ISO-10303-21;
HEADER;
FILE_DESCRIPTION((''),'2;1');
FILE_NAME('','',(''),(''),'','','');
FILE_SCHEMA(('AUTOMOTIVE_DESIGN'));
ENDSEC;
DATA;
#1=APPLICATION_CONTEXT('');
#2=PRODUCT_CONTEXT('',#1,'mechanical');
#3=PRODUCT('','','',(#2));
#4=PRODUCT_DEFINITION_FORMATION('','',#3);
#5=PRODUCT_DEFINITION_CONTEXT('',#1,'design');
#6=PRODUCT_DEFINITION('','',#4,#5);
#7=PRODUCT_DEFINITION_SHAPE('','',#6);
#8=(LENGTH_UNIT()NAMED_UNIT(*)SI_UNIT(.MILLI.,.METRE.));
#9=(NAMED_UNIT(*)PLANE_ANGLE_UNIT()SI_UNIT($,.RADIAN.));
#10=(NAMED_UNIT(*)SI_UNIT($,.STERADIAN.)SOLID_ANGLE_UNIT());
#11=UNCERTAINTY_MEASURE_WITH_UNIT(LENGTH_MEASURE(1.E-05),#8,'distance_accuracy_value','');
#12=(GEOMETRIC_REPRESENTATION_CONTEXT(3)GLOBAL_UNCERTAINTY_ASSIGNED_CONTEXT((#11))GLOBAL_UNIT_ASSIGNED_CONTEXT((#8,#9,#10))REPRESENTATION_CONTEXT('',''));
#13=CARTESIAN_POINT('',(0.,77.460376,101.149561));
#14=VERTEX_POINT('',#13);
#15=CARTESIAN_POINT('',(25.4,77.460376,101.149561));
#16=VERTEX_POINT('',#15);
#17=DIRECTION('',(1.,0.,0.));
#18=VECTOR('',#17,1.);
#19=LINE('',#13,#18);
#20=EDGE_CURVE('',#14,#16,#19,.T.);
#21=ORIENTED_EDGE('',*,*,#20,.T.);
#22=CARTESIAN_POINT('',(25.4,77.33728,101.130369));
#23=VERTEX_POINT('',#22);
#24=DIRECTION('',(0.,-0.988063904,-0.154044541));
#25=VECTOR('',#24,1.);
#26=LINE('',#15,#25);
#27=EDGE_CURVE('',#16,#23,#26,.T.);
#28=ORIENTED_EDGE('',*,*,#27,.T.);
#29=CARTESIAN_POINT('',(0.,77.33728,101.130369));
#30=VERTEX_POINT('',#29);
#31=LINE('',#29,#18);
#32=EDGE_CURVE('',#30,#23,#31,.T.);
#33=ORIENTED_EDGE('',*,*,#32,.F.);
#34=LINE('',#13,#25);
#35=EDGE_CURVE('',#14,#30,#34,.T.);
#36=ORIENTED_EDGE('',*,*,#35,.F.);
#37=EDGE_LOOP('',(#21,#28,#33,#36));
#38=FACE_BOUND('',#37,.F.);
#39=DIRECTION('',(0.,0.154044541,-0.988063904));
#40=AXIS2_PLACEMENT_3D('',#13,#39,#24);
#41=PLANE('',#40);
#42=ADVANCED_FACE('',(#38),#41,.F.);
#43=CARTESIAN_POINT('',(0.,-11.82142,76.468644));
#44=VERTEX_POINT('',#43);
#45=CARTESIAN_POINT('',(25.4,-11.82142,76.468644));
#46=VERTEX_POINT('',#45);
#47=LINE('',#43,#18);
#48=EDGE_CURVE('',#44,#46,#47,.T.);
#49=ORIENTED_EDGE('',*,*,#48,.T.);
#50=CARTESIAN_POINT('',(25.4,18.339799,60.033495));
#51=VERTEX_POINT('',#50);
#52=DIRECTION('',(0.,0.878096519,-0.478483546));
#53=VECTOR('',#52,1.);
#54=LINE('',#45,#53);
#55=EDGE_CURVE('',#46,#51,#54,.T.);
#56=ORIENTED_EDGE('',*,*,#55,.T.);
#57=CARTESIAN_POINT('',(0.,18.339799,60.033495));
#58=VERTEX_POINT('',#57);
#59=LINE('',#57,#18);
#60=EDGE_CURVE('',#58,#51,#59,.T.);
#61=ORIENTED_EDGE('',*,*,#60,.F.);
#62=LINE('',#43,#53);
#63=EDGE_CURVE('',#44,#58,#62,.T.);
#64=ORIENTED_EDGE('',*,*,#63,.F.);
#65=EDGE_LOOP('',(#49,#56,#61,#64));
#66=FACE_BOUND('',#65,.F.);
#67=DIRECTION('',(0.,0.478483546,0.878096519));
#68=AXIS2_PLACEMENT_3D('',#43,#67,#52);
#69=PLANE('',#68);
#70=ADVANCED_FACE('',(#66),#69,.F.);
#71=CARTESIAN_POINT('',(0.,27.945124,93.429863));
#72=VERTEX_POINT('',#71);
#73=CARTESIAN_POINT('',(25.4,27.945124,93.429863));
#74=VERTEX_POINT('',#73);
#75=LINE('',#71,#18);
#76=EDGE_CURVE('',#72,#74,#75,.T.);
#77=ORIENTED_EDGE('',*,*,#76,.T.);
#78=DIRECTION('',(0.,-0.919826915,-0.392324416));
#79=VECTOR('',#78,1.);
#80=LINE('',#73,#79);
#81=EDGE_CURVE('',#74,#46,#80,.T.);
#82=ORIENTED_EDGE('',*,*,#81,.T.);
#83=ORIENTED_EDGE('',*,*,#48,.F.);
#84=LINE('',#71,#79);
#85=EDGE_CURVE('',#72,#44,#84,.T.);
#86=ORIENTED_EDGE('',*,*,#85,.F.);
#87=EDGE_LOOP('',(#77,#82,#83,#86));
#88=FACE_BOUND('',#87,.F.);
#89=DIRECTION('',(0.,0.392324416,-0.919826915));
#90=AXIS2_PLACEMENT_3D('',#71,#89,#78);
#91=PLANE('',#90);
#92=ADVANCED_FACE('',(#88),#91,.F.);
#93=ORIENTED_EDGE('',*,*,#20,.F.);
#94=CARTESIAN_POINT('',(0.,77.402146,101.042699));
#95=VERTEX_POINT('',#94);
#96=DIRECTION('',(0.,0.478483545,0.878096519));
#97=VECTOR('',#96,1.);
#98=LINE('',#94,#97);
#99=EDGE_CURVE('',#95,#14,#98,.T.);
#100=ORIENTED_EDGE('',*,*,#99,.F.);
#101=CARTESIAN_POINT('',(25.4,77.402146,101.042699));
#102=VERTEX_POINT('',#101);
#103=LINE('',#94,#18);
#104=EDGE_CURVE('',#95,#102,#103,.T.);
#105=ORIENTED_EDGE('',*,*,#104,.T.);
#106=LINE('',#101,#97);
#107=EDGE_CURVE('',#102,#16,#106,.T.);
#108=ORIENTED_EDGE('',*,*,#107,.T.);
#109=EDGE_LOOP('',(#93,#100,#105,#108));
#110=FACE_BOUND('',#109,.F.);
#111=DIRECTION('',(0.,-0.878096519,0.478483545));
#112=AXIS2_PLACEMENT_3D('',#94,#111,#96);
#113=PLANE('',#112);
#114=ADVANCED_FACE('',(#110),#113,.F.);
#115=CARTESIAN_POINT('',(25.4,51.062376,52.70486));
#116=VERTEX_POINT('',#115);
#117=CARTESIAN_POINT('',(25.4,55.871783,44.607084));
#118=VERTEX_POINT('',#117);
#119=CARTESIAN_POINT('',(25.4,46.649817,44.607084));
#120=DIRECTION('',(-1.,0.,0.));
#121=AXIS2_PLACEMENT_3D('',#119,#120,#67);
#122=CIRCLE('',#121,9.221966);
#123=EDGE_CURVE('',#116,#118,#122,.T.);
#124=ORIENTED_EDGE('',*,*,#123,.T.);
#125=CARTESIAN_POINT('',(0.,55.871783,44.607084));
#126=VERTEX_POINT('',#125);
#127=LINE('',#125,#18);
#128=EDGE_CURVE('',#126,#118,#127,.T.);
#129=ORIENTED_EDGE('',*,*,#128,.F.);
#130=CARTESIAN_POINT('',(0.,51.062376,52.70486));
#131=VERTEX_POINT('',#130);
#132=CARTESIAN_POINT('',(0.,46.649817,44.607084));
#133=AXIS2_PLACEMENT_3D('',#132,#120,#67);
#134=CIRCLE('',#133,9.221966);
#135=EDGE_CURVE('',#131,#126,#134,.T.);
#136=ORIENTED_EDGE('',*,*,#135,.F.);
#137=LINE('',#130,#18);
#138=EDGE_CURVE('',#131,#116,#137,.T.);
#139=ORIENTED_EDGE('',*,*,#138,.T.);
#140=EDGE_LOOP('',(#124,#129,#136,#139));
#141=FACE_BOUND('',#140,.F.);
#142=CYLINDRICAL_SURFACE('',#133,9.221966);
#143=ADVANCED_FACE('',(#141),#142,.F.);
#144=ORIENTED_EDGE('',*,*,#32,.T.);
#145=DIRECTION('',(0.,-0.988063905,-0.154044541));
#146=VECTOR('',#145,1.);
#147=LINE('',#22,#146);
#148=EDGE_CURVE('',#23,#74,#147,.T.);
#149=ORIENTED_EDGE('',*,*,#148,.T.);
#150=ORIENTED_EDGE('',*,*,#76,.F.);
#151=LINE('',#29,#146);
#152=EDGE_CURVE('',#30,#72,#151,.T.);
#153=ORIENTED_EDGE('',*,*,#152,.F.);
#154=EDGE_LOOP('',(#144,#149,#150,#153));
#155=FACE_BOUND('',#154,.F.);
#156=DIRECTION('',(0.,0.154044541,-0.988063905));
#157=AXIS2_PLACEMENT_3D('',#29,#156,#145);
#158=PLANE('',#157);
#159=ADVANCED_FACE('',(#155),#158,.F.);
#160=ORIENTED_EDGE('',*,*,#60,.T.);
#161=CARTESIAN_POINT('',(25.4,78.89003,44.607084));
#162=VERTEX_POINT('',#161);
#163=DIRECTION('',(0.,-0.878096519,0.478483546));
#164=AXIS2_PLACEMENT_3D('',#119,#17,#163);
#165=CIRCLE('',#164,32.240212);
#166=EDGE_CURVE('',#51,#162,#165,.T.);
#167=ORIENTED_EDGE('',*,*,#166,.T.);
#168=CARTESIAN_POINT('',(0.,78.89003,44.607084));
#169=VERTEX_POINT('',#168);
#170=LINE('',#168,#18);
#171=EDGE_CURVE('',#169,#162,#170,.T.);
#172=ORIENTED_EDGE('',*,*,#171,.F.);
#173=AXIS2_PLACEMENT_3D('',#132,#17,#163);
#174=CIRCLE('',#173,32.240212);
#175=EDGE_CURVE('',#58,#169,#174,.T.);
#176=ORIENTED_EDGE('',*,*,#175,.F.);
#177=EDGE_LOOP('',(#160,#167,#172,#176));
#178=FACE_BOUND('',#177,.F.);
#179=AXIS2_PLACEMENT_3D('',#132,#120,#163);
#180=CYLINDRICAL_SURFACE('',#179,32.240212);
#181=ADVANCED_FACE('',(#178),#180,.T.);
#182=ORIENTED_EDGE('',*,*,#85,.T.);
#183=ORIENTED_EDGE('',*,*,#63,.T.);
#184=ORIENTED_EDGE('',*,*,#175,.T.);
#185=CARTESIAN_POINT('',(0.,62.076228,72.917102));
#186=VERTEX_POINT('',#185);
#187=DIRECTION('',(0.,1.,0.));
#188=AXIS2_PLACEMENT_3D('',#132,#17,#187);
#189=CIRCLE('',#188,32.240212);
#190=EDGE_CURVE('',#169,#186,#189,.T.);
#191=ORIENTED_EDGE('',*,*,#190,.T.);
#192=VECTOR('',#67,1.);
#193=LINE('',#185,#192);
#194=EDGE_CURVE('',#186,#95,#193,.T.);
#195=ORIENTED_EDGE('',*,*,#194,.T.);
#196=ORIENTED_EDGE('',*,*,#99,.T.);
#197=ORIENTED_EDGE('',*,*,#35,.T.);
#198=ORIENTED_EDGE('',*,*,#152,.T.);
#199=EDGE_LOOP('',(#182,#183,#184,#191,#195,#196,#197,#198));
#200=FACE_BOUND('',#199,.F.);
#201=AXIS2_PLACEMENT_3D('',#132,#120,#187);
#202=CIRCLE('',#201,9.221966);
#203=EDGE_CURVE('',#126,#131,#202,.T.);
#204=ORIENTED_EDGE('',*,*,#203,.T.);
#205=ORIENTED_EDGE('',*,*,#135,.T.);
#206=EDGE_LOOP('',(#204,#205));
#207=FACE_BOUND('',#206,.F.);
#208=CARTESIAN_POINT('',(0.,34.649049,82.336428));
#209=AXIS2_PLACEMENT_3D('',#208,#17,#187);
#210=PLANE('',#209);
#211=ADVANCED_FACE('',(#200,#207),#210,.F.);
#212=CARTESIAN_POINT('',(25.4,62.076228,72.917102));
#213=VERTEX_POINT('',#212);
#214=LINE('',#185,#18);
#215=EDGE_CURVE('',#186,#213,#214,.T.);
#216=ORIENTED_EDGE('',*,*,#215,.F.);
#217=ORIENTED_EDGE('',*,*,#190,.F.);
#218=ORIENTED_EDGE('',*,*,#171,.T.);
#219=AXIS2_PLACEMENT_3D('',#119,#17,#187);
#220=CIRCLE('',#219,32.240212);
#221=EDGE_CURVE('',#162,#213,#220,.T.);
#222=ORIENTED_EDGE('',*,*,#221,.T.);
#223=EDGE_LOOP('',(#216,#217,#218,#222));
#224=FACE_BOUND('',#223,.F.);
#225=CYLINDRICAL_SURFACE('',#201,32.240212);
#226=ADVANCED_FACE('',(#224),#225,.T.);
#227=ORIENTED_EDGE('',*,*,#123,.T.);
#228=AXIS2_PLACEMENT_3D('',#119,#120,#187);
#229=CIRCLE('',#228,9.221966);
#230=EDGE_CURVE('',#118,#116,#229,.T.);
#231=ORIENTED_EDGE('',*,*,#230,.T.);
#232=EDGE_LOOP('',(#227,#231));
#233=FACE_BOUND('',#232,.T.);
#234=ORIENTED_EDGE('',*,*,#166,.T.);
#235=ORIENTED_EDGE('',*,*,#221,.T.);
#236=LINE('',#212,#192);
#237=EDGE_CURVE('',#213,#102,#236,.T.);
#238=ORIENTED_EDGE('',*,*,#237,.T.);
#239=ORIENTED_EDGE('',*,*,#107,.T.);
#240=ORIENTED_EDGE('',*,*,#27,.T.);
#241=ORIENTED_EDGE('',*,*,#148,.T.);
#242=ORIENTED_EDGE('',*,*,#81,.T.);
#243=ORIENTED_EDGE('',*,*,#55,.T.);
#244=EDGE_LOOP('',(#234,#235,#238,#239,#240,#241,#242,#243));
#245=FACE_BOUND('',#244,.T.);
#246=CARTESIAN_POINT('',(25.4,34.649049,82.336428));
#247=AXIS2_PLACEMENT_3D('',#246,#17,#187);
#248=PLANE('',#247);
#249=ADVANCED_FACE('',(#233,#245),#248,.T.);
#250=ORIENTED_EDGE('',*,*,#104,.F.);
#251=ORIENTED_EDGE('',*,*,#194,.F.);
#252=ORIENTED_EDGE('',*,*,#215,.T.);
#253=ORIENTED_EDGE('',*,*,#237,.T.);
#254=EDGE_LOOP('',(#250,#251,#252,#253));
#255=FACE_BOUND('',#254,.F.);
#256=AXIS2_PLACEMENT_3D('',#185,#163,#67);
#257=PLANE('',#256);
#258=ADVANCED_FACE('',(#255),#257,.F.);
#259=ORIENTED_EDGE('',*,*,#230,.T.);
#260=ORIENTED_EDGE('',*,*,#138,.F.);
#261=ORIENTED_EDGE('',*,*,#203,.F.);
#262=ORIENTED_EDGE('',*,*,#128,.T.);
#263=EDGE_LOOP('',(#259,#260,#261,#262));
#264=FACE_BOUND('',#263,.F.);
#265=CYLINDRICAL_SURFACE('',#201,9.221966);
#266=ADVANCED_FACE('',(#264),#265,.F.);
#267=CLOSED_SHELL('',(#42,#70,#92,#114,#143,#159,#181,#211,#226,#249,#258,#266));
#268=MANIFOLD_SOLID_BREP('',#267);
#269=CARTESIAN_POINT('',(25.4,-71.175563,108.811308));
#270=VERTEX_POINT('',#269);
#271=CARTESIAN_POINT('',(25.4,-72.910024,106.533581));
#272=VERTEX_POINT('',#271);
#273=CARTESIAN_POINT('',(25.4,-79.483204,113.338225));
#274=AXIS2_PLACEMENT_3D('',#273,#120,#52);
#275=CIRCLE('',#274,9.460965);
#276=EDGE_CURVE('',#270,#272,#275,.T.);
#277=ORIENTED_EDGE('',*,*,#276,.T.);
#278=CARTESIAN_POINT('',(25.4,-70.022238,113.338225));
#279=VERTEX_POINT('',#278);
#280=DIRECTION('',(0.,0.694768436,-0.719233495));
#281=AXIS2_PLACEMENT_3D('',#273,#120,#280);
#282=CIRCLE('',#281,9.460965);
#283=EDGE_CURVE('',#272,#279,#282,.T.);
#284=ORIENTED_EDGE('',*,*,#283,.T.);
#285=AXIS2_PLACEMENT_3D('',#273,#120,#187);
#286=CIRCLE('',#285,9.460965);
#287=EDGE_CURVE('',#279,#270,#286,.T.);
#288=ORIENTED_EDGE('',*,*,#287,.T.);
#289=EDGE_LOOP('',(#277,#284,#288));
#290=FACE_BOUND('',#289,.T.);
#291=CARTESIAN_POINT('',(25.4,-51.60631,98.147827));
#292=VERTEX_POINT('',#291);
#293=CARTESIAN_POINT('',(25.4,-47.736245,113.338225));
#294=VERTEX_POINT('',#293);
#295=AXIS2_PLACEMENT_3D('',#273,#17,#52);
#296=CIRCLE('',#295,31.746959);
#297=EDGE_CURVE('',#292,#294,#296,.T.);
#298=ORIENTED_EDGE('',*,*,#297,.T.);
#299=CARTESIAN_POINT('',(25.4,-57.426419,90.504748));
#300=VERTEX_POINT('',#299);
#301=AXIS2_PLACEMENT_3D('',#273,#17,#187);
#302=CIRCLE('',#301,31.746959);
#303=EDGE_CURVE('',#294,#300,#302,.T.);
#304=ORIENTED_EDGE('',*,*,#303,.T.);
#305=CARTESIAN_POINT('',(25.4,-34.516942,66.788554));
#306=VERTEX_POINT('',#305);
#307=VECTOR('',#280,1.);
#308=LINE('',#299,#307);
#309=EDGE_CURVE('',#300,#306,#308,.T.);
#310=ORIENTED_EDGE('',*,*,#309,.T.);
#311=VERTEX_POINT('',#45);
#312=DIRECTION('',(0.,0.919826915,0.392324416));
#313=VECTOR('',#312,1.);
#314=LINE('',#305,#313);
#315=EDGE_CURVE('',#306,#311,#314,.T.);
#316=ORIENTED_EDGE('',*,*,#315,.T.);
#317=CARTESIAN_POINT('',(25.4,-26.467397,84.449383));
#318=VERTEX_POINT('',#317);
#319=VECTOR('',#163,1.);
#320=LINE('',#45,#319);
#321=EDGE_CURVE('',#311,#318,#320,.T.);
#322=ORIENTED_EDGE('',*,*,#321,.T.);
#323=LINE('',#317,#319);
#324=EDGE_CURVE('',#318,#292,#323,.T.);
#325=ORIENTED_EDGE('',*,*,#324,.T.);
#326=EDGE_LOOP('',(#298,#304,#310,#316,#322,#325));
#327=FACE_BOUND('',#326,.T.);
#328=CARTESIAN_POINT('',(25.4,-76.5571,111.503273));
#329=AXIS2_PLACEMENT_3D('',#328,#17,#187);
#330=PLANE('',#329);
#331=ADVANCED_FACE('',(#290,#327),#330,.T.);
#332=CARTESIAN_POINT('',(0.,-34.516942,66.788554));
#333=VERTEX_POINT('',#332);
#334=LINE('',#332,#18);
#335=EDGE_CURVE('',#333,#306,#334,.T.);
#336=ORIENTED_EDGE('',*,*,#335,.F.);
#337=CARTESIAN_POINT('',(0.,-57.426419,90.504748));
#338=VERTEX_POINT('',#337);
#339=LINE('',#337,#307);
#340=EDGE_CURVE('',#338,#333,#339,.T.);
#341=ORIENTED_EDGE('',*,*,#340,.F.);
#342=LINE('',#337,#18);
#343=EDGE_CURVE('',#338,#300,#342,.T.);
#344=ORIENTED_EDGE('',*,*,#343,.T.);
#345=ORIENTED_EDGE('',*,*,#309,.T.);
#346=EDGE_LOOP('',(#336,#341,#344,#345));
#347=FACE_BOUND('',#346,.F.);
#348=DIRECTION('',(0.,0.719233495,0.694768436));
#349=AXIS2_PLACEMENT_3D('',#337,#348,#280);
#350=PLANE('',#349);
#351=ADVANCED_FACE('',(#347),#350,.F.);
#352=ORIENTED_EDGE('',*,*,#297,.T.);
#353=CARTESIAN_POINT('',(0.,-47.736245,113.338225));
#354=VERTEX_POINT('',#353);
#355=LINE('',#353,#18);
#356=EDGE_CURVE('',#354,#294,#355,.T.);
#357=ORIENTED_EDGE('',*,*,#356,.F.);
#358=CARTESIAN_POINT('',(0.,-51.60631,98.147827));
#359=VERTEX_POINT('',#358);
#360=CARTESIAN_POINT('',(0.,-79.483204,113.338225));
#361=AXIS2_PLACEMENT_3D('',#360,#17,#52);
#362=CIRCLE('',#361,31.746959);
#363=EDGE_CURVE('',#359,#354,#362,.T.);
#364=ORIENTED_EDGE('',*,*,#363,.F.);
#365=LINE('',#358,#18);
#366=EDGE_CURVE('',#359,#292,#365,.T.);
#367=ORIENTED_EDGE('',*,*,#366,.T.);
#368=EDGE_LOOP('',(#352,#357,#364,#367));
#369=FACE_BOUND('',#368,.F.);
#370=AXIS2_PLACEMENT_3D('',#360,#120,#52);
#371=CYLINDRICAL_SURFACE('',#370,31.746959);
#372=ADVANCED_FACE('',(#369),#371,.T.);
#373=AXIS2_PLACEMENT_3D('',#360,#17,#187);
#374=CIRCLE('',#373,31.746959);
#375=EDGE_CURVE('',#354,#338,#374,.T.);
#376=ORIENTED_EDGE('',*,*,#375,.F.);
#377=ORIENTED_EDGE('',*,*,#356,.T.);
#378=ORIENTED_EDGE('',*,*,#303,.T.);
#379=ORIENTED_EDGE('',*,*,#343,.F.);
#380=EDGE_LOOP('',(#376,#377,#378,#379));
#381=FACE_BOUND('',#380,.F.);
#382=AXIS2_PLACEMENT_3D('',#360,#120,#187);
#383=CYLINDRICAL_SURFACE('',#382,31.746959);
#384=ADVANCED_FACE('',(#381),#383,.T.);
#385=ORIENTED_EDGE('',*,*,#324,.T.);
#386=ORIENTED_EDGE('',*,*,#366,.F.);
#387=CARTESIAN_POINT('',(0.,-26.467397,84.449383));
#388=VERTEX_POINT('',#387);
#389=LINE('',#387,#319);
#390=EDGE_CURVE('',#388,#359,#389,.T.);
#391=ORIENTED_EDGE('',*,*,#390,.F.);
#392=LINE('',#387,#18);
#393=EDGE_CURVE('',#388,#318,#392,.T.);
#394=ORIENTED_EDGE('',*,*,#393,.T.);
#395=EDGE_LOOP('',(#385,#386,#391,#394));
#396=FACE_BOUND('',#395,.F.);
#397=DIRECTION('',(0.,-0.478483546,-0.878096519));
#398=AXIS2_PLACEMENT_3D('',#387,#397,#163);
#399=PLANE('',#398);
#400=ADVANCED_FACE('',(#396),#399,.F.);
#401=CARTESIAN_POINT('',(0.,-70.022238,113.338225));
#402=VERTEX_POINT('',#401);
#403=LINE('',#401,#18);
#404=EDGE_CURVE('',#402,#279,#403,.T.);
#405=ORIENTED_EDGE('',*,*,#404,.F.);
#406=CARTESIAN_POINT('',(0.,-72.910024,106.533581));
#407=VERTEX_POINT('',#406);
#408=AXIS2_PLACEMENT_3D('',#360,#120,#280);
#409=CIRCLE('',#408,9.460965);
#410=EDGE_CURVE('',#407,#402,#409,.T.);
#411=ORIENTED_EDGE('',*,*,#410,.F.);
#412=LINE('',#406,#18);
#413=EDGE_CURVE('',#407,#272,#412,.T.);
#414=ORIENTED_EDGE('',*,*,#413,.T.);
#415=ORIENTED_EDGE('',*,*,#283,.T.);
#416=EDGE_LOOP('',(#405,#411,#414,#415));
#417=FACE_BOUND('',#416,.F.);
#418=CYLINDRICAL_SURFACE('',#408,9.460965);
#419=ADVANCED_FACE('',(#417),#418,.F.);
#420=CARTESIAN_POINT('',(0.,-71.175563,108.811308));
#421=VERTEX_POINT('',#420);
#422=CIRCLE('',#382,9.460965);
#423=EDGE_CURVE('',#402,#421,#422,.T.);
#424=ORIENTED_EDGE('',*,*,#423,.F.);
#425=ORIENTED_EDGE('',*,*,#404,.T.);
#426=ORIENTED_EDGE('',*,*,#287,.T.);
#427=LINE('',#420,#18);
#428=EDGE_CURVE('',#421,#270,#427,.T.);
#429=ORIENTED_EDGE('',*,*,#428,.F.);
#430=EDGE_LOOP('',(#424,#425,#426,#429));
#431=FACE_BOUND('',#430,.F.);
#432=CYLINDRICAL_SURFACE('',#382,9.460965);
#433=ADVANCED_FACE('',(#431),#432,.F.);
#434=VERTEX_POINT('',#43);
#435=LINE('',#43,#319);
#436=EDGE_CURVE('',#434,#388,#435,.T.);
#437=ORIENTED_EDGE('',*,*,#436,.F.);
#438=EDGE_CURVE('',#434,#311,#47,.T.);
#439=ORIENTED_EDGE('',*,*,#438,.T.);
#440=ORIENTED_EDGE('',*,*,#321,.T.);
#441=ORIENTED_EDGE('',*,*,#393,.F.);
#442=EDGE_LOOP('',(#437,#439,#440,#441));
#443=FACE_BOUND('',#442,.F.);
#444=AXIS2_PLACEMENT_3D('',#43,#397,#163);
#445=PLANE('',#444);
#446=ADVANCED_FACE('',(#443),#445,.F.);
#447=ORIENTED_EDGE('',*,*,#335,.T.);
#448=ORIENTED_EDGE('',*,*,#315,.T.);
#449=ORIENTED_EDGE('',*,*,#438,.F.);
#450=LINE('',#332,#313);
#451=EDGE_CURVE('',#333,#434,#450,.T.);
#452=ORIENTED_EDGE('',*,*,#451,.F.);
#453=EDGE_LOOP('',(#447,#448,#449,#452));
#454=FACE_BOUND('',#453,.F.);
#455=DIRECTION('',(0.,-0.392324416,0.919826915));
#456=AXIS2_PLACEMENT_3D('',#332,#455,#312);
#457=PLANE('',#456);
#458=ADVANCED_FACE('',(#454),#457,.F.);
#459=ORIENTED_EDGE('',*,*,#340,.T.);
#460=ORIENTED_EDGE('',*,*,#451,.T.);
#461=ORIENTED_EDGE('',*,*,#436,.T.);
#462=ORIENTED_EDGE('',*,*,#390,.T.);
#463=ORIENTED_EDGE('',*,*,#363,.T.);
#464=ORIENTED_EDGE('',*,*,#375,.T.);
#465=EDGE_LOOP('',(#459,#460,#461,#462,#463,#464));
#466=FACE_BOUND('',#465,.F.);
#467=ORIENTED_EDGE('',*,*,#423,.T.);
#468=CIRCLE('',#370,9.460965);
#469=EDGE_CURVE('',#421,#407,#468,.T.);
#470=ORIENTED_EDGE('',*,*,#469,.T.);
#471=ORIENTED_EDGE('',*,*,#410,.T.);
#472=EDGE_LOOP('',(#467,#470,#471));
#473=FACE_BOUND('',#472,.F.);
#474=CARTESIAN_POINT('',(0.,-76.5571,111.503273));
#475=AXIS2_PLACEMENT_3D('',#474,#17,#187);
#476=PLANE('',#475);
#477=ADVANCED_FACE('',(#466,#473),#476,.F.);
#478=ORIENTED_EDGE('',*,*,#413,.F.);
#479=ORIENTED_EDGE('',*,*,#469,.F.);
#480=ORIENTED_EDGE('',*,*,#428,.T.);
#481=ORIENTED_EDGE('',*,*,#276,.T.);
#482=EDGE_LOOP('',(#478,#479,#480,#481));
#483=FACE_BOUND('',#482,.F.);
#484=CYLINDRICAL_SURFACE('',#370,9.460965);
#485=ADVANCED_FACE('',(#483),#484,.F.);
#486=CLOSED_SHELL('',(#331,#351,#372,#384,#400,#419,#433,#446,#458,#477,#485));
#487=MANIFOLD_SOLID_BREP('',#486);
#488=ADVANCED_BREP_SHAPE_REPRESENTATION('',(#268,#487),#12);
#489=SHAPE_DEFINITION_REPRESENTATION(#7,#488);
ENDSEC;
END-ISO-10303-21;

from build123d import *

# Parameters (mm, degrees)
F1_DEPTH = 25.4


with BuildPart() as f1:
    # F0 (on Right) → F1 (new body)
    with BuildSketch(Plane.YZ):
        with BuildLine():
            ThreePointArc((-70.0222382875, 113.3382245898), (-70.3151022367, 111.0024630371), (-71.1755628917, 108.8113083676))
            Line((-71.1755628917, 108.8113083676), (-51.6063096056, 98.1478271972))
            ThreePointArc((-51.6063096056, 98.1478271972), (-48.7189711509, 105.5004064241), (-47.7362448197, 113.3382245898))
            ThreePointArc((-47.7362448197, 113.3382245898), (-108.7073822034, 125.7405137142), (-57.4264187124, 90.5047484631))
            Line((-57.4264187124, 90.5047484631), (-72.9100235282, 106.5335814449))
            ThreePointArc((-72.9100235282, 106.5335814449), (-88.1923508772, 117.0342519141), (-70.0222382875, 113.3382245898))
        make_face()
        with BuildLine():
            Line((-51.6063096056, 98.1478271972), (-71.1755628917, 108.8113083676))
            ThreePointArc((-71.1755628917, 108.8113083676), (-71.956137986, 107.6064580343), (-72.9100235282, 106.5335814449))
            Line((-72.9100235282, 106.5335814449), (-57.4264187124, 90.5047484631))
            ThreePointArc((-57.4264187124, 90.5047484631), (-54.2255862379, 94.1048640707), (-51.6063096056, 98.1478271972))
        make_face()
        with BuildLine():
            Line((-26.4673965782, 84.4493829186), (-51.6063096056, 98.1478271972))
            ThreePointArc((-51.6063096056, 98.1478271972), (-54.2255862379, 94.1048640707), (-57.4264187124, 90.5047484631))
            Line((-57.4264187124, 90.5047484631), (-34.516941756, 66.7885541916))
            Line((-34.516941756, 66.7885541916), (-26.4673965782, 84.4493829186))
        make_face()
        Polygon((-11.8214198832, 76.4686442349), (-26.4673965782, 84.4493829186), (-34.516941756, 66.7885541916), align=None)
    extrude(amount=F1_DEPTH)


with BuildPart() as f1b:
    # F0 (on Right) → F1, piece 2 (new body)
    with BuildSketch(Plane.YZ):
        with BuildLine():
            Line((27.9451236129, 93.4298634529), (-11.8214198832, 76.4686442349))
            Line((-11.8214198832, 76.4686442349), (18.3397991763, 60.03349534))
            ThreePointArc((18.3397991763, 60.03349534), (37.5397314268, 75.533409985), (62.0762284728, 72.9171024455))
            Line((62.0762284728, 72.9171024455), (77.4021462121, 101.0426987012))
            Line((77.4021462121, 101.0426987012), (77.3372796835, 101.1303694345))
            Line((77.3372796835, 101.1303694345), (27.9451236129, 93.4298634529))
        make_face()
        with BuildLine():
            ThreePointArc((62.0762284728, 72.9171024455), (37.5397314268, 75.533409985), (18.3397991763, 60.03349534))
            Line((18.3397991763, 60.03349534), (38.5520411479, 49.0196432258))
            ThreePointArc((38.5520411479, 49.0196432258), (44.043975271, 53.4532271069), (51.0623763587, 52.7048604739))
            Line((51.0623763587, 52.7048604739), (62.0762284728, 72.9171024455))
        make_face()
        with BuildLine():
            Line((38.5520411479, 49.0196432258), (18.3397991763, 60.03349534))
            ThreePointArc((18.3397991763, 60.03349534), (38.6902227736, 13.3648669164), (78.8900296879, 44.6070842445))
            ThreePointArc((78.8900296879, 44.6070842445), (74.3696844291, 61.0703846567), (62.0762284728, 72.9171024455))
            Line((62.0762284728, 72.9171024455), (51.0623763587, 52.7048604739))
            ThreePointArc((51.0623763587, 52.7048604739), (54.5787872177, 49.316234263), (55.8717833622, 44.6070842445))
            ThreePointArc((55.8717833622, 44.6070842445), (44.3730609471, 35.6705839908), (38.5520411479, 49.0196432258))
        make_face()
        Polygon((77.4603764873, 101.1495608963), (77.3372796835, 101.1303694345), (77.4021462121, 101.0426987012), align=None)
    extrude(amount=F1_DEPTH)


solid = Compound([f1.part, f1b.part])
